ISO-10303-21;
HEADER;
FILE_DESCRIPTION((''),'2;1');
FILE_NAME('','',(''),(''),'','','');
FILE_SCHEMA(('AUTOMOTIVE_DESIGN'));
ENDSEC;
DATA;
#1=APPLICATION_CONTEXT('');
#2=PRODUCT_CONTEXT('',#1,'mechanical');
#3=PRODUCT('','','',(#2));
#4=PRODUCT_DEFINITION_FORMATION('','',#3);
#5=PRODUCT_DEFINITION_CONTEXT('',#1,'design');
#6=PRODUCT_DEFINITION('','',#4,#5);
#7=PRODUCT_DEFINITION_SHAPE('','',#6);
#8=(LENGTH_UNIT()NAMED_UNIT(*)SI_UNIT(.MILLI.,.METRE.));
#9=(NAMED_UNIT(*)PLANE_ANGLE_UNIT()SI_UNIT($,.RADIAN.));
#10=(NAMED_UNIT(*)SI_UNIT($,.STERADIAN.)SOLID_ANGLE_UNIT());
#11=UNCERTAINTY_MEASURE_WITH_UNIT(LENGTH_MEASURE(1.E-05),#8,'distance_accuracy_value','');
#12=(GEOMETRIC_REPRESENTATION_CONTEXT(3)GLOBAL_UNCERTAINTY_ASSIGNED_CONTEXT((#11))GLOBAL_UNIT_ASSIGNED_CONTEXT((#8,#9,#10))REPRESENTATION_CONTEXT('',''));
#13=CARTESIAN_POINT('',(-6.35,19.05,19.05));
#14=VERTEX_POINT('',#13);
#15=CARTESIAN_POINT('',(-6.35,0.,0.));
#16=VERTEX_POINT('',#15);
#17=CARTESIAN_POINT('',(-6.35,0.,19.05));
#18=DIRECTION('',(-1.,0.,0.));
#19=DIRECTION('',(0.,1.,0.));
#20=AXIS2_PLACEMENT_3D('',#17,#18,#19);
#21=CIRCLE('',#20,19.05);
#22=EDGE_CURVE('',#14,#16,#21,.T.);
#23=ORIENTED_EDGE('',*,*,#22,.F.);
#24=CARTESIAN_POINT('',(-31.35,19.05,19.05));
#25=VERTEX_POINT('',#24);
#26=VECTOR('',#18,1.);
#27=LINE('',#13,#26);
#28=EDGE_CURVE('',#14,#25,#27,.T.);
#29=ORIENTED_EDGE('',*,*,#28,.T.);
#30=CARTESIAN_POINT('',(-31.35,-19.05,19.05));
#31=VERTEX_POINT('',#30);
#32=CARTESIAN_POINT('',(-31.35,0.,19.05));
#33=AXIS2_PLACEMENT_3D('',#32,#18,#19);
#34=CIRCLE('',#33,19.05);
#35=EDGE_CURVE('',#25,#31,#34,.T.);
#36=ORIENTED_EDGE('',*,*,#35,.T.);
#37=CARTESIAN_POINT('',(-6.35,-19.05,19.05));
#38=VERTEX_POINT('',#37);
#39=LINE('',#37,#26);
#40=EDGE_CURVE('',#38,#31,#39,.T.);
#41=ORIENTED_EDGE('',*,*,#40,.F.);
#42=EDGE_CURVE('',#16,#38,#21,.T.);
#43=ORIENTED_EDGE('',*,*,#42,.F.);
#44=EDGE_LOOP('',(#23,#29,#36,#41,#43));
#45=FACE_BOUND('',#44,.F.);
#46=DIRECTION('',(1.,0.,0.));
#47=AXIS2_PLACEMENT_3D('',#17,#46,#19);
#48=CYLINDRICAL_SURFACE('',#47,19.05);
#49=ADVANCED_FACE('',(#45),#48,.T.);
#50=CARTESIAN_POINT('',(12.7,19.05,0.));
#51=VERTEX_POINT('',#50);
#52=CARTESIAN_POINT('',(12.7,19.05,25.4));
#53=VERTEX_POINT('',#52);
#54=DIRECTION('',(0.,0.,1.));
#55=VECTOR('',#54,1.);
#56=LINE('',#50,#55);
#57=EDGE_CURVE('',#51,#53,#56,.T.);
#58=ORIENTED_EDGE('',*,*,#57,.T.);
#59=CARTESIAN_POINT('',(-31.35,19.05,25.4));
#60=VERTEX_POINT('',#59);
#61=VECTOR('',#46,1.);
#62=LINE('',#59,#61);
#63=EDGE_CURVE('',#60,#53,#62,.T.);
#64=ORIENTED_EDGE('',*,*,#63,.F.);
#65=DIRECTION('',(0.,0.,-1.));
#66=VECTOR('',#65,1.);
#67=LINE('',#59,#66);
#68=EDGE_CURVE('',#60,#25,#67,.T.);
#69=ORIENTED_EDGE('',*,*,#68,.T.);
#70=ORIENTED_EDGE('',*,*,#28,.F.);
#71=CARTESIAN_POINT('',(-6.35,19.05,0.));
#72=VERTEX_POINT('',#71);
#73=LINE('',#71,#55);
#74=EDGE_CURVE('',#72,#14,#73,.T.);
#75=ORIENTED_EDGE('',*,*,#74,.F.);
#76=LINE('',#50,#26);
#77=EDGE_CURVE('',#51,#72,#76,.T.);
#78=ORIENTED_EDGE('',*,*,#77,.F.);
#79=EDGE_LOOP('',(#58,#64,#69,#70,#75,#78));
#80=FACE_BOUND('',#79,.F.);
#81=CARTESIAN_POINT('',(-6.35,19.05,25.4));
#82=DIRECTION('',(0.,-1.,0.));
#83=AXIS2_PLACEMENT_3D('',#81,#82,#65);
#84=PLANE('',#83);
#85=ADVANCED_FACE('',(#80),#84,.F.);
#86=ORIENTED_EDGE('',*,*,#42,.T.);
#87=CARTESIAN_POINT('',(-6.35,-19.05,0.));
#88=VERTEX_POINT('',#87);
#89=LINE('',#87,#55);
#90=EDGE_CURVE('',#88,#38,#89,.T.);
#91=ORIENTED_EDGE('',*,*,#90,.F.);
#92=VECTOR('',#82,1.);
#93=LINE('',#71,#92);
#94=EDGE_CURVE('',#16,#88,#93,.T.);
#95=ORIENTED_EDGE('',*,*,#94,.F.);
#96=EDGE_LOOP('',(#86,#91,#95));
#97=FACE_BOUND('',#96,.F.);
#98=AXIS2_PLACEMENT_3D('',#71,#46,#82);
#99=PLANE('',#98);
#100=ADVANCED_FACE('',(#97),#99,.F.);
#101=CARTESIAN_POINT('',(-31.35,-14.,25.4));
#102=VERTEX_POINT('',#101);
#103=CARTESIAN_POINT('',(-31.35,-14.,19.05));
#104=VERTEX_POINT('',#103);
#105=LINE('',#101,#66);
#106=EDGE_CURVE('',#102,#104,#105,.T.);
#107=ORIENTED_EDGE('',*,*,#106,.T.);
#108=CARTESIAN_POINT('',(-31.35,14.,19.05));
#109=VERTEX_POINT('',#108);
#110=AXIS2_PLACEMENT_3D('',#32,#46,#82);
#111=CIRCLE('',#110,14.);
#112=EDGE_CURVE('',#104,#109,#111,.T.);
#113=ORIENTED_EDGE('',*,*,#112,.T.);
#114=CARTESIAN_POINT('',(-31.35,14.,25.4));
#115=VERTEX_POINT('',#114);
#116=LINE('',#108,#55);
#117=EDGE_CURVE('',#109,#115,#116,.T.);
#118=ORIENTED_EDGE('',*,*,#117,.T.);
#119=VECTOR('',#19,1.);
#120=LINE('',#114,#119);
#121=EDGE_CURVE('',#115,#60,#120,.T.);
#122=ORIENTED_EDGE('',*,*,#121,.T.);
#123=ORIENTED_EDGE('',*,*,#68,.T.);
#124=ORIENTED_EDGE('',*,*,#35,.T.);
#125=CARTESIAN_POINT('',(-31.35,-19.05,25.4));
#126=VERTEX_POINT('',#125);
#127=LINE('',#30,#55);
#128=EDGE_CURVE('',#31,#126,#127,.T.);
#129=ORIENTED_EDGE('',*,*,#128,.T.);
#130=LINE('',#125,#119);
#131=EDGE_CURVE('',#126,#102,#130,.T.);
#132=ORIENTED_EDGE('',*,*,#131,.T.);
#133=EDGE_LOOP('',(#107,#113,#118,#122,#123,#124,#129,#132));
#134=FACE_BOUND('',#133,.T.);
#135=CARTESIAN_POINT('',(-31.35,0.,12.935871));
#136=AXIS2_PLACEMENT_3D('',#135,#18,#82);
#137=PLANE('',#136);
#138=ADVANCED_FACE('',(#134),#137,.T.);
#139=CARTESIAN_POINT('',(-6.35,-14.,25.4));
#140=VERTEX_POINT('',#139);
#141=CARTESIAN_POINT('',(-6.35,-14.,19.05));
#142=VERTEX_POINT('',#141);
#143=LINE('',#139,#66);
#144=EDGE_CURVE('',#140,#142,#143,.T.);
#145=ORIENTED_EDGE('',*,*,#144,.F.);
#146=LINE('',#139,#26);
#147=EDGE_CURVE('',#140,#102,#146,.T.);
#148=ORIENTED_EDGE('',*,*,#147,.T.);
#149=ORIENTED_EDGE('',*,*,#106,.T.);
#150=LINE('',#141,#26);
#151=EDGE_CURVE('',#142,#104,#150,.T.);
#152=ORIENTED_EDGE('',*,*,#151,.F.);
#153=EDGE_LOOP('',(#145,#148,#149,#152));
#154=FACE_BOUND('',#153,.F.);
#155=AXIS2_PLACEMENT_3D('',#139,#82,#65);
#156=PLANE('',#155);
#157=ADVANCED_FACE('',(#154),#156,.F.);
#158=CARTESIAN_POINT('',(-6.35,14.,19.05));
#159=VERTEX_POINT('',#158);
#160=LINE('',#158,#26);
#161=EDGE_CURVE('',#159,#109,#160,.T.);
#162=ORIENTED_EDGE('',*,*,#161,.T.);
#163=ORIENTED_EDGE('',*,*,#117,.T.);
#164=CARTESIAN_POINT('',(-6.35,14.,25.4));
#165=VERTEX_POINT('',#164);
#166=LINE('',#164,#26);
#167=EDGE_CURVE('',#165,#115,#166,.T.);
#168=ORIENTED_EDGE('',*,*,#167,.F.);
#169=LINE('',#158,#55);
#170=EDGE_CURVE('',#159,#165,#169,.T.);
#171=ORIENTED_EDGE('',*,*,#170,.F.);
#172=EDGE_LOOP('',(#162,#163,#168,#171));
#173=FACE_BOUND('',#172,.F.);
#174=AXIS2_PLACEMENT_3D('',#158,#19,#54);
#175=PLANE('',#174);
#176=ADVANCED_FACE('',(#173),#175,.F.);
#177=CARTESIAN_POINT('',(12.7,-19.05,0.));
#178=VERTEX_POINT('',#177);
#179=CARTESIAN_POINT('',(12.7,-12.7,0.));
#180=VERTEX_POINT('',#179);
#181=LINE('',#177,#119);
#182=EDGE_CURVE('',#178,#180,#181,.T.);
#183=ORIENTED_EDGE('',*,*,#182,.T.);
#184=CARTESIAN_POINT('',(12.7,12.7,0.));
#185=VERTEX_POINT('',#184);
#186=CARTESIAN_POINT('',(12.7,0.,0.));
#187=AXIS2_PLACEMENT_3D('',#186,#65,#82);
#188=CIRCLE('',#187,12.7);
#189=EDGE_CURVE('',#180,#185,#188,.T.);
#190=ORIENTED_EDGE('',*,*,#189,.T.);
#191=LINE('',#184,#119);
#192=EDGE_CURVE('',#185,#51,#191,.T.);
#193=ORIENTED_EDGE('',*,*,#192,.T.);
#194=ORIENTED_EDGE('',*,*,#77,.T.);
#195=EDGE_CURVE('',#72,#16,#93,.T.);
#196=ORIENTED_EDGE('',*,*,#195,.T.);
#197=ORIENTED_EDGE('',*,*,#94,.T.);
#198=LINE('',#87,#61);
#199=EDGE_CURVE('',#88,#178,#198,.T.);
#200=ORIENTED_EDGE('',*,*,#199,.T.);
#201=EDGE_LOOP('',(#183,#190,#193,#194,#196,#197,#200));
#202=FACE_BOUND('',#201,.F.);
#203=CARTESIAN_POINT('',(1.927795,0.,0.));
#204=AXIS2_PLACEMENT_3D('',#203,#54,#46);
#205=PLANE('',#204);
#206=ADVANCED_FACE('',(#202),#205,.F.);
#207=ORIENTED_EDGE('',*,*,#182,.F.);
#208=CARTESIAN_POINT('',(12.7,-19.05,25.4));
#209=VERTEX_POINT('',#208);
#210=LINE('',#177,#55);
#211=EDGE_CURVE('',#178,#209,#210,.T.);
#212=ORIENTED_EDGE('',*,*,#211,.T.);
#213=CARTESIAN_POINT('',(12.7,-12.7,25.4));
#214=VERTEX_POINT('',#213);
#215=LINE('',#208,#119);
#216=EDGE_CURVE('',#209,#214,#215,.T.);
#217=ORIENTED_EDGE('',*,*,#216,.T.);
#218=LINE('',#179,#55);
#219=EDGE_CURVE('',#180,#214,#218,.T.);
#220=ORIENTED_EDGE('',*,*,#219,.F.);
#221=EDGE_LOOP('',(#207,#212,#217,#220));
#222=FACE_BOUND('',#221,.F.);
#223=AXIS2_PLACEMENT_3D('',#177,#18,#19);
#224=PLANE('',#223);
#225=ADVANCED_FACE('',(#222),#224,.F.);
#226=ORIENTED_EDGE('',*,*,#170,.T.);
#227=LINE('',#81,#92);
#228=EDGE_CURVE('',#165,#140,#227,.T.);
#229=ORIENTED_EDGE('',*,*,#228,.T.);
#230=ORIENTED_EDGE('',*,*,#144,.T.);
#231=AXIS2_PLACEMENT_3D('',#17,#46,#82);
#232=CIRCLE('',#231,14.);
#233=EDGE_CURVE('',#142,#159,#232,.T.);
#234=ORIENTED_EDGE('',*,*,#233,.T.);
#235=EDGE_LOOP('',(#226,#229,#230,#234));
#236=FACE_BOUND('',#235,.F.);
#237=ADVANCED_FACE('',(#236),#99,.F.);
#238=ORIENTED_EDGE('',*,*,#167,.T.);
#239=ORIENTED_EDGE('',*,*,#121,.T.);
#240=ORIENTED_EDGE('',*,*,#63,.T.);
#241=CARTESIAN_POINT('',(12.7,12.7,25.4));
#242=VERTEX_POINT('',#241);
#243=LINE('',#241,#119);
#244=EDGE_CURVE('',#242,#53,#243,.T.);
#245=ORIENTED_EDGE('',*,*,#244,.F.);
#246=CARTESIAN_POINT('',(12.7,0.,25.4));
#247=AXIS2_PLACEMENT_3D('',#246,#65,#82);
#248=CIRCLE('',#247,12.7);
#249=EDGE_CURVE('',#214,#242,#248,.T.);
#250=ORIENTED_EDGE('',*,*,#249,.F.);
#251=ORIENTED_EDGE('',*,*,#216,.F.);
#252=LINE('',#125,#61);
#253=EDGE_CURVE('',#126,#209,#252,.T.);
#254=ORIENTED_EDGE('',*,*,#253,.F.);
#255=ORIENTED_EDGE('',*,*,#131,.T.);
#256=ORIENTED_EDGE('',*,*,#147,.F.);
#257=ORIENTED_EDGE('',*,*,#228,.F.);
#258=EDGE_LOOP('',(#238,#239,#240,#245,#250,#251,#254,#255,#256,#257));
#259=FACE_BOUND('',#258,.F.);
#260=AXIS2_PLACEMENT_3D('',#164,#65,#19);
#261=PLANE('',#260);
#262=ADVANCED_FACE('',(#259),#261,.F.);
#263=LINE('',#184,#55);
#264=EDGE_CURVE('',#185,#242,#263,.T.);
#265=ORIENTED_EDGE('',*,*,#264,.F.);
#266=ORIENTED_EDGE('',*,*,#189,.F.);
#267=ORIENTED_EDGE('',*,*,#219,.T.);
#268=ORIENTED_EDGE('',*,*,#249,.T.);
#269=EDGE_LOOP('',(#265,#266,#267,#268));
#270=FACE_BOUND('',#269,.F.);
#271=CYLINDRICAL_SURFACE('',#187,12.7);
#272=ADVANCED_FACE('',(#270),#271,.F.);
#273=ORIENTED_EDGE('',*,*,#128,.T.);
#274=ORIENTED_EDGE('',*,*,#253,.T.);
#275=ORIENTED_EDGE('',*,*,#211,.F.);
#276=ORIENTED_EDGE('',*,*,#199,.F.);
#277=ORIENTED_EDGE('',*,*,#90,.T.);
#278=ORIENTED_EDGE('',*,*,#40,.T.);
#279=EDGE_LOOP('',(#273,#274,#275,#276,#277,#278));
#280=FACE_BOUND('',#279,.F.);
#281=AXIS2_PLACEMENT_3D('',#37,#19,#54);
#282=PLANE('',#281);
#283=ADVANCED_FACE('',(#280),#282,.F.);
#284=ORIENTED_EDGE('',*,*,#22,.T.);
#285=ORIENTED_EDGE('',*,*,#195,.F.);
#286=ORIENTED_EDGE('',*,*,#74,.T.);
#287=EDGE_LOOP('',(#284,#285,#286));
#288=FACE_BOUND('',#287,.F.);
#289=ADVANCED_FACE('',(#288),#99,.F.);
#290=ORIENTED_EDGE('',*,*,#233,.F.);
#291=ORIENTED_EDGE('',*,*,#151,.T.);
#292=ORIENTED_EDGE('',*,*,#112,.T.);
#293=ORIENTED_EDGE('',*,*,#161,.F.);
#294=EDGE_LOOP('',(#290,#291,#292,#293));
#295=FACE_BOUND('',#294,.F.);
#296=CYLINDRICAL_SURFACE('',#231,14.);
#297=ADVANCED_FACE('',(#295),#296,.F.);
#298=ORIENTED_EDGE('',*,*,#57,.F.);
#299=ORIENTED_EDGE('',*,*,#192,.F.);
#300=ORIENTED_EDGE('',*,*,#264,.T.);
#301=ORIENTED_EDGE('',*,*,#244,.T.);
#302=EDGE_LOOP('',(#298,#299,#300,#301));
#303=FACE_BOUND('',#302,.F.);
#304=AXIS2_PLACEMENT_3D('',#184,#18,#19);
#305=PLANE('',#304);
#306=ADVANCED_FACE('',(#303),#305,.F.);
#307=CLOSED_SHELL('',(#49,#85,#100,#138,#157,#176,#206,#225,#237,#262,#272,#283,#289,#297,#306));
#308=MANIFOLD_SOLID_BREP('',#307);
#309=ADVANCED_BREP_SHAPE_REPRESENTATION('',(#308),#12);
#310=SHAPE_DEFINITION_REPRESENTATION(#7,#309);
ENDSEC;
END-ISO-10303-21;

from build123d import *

# Parameters (mm, degrees)
F1_DEPTH = 25.4
F3_DEPTH = 25


with BuildPart() as f1:
    # F0 (on Top) → F1 (new body)
    with BuildSketch(Plane.XY):
        with BuildLine():
            Line((12.7, 19.05), (-6.35, 19.05))
            Line((-6.35, 19.05), (-6.35, -19.05))
            Line((-6.35, -19.05), (12.7, -19.05))
            Line((12.7, -19.05), (12.7, -12.7))
            ThreePointArc((12.7, -12.7), (0, 0), (12.7, 12.7))
            Line((12.7, 12.7), (12.7, 19.05))
        make_face()
    extrude(amount=F1_DEPTH)

    # F2 (on face) → F3 (join)
    with BuildSketch(Plane(origin=(-6.35, 0, 0), x_dir=(0, -1, 0), z_dir=(-1, 0, 0))):
        with BuildLine():
            Line((-19.05, 25.4), (-19.05, 19.05))
            ThreePointArc((-19.05, 19.05), (0, 0), (19.05, 19.05))
            Line((19.05, 19.05), (19.05, 25.4))
            Line((19.05, 25.4), (14, 25.4))
            Line((14, 25.4), (14, 19.05))
            ThreePointArc((14, 19.05), (0, 5.05), (-14, 19.05))
            Line((-14, 19.05), (-14, 25.4))
            Line((-14, 25.4), (-19.05, 25.4))
        make_face()
    extrude(amount=F3_DEPTH)


solid = f1.part
